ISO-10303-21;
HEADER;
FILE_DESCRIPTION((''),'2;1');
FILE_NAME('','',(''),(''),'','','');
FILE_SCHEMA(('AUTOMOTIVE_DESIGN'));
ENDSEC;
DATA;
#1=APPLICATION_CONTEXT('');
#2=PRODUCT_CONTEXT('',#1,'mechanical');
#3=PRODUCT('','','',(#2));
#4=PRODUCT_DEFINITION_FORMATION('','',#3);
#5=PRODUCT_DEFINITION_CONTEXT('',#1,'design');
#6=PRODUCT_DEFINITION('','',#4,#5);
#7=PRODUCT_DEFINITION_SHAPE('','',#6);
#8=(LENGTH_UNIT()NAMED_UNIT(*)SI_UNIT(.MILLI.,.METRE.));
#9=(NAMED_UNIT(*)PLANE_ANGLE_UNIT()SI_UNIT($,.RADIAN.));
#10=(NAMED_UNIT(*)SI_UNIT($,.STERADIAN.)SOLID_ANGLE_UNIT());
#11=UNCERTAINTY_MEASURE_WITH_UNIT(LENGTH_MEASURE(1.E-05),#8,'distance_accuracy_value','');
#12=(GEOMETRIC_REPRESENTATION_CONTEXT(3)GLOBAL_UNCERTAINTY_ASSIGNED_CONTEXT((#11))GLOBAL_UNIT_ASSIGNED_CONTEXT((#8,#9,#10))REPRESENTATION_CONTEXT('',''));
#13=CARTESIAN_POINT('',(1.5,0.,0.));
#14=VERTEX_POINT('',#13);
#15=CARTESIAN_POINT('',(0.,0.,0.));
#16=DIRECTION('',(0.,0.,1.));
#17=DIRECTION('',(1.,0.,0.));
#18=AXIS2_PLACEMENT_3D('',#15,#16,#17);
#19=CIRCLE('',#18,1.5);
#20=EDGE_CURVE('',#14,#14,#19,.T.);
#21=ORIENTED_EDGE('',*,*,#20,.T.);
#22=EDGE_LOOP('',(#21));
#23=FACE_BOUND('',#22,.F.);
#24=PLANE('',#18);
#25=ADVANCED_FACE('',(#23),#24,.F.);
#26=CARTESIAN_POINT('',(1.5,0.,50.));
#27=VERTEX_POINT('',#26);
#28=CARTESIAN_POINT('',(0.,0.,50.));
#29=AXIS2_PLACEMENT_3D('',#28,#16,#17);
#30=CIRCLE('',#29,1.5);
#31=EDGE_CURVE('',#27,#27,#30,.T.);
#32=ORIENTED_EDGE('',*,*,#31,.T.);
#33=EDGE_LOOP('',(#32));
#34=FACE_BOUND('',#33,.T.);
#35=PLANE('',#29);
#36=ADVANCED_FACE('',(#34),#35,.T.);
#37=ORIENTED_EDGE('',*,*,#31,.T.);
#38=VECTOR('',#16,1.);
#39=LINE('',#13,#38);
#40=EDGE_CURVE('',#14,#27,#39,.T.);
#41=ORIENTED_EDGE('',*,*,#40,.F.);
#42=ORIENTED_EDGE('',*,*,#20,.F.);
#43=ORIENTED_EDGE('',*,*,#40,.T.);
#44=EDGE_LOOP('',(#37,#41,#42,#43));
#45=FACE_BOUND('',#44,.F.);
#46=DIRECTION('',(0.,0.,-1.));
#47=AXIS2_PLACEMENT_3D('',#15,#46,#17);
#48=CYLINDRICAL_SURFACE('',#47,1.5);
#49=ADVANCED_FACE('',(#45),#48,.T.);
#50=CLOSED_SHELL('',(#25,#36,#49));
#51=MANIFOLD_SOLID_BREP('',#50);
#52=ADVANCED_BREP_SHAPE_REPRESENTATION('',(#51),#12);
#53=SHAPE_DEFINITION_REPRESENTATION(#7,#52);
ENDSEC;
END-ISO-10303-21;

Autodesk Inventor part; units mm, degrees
ref_plane "YZ Plane" through (0, 0, 0) normal (1, 0, 0) x (0, 1, 0)
ref_plane "XZ Plane" through (0, 0, 0) normal (0, 1, 0) x (-1, 0, 0)
ref_plane "XY Plane" through (0, 0, 0) normal (0, 0, 1) x (1, 0, 0)
sketch "Sketch1" plane through (0, 0, 0) normal (0, 0, 1) x (1, 0, 0)
  circle A0 centre (0, 0) radius 1.5
  dimension "d0" = 3
extrude "Extrusion1" add sketch "Sketch1" along normal blind 50
properties part number "3mm Brass Rod" material "Brass, Soft Yellow"
